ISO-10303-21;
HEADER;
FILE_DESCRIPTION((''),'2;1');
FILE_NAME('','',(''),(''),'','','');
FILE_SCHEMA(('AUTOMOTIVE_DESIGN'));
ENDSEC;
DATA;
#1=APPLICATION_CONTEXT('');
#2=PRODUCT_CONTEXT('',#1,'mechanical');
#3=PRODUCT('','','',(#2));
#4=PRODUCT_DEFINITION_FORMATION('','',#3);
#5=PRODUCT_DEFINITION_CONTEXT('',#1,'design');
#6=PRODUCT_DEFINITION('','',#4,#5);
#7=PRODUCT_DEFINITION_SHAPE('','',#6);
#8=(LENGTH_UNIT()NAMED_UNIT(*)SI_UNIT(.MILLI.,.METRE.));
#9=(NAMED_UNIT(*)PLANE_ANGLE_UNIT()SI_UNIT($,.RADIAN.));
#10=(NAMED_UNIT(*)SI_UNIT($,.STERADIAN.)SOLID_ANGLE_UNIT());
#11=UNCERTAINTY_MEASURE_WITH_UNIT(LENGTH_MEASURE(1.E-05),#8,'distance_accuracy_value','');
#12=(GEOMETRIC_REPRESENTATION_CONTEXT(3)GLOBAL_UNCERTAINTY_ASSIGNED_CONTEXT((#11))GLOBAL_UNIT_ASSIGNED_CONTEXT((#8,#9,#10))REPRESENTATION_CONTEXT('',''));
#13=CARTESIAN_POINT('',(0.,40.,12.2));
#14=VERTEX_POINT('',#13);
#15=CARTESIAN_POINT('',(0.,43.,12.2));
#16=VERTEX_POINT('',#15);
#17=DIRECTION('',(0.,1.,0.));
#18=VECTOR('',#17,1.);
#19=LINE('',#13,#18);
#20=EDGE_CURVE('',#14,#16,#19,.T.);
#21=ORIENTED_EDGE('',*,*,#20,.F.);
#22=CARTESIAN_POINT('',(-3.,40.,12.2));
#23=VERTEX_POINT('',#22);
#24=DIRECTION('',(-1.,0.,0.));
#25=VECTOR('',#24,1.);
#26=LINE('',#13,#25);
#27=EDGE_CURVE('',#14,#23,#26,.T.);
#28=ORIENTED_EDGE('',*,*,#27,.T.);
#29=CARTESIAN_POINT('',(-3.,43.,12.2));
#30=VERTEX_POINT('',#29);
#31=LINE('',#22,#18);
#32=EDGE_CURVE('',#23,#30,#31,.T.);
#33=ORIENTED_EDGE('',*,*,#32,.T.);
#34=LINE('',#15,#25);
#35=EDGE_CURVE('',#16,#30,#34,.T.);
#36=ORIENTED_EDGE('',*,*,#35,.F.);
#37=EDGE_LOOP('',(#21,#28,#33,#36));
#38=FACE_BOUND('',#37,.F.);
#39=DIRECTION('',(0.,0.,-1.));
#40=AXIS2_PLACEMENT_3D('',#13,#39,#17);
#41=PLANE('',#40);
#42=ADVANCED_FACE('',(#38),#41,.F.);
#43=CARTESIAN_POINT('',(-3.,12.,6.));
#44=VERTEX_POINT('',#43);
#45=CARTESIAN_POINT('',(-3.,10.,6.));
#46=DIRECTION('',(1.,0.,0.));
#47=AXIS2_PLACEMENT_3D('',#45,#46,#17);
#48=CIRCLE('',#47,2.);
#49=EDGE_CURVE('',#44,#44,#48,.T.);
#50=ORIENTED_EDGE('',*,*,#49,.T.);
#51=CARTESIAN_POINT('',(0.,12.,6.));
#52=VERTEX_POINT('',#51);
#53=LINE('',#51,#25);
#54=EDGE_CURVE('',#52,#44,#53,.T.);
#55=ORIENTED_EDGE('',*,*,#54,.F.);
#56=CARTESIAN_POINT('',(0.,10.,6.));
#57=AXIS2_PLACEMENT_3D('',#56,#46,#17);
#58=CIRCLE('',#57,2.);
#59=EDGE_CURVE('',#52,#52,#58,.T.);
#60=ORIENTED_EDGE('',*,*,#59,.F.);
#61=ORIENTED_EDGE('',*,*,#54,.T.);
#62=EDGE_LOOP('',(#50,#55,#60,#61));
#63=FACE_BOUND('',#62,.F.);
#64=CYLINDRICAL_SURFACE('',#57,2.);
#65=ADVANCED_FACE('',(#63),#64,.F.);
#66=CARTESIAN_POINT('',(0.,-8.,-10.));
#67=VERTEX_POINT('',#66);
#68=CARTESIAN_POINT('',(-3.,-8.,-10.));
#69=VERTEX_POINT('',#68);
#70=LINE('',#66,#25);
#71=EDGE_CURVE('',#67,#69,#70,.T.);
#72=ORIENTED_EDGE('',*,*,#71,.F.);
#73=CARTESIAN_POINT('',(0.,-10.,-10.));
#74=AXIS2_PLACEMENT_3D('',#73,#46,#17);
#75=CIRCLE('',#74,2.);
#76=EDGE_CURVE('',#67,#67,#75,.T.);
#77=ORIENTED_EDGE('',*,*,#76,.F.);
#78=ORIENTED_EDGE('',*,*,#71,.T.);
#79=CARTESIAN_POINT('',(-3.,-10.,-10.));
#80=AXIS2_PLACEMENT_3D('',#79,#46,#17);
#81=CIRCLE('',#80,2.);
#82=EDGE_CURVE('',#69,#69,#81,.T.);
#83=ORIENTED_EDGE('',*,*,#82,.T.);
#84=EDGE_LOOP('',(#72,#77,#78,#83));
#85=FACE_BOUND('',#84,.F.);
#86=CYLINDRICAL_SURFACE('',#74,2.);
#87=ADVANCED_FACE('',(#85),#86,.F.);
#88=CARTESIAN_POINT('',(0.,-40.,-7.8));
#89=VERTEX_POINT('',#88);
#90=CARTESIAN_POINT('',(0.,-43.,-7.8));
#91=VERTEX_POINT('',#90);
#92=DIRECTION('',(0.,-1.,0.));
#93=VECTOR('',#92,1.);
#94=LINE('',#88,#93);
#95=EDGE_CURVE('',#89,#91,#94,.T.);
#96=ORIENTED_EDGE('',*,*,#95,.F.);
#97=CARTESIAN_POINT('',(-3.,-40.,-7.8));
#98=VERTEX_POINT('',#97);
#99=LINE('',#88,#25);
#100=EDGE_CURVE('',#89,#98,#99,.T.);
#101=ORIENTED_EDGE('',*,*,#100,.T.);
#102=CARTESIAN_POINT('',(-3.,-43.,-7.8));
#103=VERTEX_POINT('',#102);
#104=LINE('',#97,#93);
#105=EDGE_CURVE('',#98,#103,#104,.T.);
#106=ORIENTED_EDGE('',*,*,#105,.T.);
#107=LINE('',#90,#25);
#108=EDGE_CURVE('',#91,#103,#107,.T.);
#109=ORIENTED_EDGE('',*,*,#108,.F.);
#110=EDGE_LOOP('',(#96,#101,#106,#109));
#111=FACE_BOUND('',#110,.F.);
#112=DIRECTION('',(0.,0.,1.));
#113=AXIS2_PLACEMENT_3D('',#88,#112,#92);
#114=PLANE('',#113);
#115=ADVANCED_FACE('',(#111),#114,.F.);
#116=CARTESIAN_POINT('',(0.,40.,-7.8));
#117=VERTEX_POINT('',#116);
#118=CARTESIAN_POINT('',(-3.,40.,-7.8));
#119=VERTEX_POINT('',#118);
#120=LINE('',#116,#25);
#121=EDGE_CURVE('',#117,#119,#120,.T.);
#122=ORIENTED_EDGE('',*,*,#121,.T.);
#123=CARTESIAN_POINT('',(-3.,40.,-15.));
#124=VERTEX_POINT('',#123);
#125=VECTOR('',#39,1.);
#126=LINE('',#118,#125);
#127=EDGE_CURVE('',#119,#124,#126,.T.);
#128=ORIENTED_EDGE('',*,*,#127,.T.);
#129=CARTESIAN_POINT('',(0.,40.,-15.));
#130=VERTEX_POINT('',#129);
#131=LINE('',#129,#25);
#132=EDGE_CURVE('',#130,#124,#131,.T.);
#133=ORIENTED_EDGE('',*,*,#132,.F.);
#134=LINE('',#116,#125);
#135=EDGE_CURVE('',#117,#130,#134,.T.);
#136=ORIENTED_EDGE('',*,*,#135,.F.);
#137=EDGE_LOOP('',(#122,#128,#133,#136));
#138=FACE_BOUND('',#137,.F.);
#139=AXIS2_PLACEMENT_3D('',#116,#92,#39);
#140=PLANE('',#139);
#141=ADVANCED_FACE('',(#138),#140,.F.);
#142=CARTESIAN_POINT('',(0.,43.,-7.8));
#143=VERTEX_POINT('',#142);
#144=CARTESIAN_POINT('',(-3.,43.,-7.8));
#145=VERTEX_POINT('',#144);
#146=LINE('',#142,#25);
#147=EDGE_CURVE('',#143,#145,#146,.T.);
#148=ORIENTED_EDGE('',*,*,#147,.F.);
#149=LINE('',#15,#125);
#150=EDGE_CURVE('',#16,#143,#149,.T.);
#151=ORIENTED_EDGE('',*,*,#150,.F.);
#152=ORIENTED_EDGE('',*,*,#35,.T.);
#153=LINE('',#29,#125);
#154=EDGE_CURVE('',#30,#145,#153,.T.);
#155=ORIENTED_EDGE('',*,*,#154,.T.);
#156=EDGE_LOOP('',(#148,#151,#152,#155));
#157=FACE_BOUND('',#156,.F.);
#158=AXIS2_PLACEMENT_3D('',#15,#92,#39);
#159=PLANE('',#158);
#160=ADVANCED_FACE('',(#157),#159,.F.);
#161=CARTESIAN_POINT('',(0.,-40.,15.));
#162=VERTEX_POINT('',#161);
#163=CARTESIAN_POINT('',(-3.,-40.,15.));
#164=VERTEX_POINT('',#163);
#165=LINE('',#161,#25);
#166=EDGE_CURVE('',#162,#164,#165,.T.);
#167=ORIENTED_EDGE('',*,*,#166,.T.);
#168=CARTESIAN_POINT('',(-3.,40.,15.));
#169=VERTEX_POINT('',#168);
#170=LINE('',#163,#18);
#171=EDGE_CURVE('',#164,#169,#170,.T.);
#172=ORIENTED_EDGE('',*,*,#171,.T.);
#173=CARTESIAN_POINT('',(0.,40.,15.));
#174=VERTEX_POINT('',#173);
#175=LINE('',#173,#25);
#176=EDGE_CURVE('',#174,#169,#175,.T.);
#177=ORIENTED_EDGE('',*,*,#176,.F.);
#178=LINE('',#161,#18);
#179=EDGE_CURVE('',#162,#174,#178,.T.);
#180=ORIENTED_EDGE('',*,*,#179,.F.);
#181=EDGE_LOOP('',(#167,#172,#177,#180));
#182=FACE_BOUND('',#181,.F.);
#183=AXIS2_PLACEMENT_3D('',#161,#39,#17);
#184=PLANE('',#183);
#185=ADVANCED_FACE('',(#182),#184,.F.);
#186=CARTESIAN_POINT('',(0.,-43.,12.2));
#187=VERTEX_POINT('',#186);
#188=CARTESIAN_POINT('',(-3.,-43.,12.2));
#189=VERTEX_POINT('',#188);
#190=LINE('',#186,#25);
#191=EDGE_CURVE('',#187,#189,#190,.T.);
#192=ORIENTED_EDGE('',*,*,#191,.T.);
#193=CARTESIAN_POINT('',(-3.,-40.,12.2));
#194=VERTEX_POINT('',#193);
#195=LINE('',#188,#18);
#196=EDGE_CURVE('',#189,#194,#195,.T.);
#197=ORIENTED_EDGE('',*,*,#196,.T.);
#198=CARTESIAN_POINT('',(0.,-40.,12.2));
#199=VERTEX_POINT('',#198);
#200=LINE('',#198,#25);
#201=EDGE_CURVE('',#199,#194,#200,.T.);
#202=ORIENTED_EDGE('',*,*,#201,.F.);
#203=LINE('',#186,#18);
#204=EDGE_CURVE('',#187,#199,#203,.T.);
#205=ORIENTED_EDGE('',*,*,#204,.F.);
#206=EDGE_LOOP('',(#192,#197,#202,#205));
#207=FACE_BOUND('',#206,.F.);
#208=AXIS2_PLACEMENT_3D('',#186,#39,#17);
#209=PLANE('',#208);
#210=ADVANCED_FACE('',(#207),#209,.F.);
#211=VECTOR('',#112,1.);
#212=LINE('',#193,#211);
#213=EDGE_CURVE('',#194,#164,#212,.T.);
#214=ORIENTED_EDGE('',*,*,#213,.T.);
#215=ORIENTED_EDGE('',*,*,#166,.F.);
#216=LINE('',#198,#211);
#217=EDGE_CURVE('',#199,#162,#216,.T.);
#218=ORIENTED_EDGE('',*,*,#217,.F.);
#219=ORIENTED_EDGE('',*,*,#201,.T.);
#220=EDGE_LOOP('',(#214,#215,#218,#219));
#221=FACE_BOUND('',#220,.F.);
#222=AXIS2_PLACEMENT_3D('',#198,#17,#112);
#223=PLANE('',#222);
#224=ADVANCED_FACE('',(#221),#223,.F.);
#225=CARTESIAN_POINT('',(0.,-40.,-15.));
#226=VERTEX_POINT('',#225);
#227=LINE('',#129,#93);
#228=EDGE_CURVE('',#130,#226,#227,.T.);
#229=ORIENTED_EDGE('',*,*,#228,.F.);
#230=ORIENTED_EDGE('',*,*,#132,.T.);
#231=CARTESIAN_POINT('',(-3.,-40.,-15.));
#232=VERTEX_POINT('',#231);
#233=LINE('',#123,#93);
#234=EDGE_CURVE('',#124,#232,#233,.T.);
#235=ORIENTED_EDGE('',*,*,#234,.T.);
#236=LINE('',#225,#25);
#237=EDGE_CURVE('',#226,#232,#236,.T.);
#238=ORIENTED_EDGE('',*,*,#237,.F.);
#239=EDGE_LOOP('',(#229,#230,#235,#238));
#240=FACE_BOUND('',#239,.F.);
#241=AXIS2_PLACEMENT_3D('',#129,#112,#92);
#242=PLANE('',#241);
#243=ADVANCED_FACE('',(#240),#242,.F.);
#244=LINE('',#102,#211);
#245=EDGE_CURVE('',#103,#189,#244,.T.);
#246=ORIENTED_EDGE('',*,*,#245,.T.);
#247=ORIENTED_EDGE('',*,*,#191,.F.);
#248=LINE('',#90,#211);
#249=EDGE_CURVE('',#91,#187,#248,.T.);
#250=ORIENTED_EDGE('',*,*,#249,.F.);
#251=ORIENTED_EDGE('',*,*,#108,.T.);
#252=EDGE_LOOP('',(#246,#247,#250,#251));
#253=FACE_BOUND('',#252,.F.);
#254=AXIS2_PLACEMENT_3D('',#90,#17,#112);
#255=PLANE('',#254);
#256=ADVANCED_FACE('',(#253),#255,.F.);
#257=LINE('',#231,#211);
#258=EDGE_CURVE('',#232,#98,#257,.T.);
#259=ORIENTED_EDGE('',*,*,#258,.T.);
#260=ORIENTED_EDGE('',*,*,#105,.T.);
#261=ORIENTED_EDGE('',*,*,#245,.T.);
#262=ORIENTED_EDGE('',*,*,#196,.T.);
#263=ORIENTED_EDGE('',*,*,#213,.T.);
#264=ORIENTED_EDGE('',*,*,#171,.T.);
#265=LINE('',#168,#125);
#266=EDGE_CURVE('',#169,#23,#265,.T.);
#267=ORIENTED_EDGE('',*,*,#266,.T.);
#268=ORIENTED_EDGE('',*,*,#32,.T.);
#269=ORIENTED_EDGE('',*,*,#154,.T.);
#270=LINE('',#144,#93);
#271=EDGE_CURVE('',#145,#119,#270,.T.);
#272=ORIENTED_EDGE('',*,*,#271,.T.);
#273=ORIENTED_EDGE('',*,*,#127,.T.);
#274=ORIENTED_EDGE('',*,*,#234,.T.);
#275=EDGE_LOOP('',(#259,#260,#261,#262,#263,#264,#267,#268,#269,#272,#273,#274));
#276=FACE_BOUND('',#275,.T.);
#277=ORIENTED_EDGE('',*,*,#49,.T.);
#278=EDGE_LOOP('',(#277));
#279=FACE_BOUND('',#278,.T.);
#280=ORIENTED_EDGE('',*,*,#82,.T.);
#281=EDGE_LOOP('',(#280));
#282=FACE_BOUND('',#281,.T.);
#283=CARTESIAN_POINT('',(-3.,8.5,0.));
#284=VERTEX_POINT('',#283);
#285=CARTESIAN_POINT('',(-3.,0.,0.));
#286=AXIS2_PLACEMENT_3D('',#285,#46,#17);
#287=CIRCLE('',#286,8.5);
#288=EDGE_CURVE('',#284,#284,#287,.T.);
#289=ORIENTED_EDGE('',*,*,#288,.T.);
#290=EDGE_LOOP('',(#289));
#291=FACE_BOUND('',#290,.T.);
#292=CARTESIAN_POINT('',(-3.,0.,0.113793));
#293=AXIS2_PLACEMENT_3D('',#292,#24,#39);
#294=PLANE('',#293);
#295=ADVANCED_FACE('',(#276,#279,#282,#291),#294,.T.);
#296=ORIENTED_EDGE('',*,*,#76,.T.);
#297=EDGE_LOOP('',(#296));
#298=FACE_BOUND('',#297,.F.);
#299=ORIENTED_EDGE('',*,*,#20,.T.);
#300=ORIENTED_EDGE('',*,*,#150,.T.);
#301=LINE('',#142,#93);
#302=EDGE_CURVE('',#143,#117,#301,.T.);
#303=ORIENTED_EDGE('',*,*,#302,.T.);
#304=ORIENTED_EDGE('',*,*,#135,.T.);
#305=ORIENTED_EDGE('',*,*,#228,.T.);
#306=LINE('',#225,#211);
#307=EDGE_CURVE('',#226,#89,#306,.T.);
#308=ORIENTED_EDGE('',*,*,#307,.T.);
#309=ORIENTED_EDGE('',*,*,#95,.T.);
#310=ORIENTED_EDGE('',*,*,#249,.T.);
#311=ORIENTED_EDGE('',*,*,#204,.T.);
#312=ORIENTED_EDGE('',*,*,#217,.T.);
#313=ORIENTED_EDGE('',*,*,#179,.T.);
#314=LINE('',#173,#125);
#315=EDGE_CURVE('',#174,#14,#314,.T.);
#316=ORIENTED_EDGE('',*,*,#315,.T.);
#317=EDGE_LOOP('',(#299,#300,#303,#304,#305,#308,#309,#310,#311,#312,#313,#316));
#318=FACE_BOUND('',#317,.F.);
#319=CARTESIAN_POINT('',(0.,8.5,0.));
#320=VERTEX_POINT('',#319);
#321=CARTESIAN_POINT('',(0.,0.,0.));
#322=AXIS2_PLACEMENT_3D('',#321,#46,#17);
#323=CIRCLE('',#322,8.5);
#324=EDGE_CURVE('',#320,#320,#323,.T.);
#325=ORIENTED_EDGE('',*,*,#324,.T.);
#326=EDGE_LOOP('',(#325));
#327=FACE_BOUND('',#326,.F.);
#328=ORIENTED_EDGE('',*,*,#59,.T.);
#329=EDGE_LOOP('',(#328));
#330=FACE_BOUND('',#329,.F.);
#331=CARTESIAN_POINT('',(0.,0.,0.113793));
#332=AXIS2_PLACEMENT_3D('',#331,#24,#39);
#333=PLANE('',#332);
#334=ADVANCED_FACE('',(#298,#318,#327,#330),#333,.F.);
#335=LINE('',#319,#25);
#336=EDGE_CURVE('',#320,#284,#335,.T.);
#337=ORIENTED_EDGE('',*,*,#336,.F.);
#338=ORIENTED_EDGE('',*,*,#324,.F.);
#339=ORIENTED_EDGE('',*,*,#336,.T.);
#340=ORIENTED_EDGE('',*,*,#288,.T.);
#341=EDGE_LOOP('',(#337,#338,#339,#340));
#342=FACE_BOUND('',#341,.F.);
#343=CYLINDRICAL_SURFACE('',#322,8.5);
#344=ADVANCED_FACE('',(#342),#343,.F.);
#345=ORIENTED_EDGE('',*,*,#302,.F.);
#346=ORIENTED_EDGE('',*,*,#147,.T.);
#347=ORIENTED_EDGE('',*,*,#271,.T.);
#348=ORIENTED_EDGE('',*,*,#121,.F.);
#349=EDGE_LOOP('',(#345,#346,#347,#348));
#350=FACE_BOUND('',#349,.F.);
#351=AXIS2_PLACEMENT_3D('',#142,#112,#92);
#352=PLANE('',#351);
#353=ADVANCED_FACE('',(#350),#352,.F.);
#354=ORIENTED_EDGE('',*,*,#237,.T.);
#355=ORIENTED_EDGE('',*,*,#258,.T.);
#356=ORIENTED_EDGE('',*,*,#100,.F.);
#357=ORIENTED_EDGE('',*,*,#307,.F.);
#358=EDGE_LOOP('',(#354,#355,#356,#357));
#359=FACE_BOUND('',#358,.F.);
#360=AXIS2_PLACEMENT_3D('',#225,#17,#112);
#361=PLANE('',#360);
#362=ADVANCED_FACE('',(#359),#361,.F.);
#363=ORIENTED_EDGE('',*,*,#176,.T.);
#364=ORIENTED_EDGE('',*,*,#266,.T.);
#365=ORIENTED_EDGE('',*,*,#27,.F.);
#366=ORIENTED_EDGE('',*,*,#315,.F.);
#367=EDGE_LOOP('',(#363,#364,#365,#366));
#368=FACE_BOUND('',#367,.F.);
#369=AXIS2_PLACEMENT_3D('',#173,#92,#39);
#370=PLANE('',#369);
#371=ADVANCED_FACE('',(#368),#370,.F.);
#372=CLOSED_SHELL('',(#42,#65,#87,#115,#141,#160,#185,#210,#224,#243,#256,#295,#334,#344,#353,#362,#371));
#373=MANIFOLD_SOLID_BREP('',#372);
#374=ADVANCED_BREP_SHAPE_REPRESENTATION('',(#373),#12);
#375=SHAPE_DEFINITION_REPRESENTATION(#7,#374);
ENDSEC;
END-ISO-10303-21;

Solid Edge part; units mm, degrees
sketch "Sketch1" plane through (0, 0, 0) normal (1, 0, 0) x (0, 1, 0)
  circle A0 centre (0, 0) radius 8.5
  circle A1 centre (10, 6) radius 2
  circle A2 centre (-10, -10) radius 2
  line L0 (40, 15) -> (40, 12.2)
  line L1 (40, 12.2) -> (43, 12.2)
  line L2 (43, 12.2) -> (43, -7.8)
  line L3 (43, -7.8) -> (40, -7.8)
  line L4 (40, -7.8) -> (40, -15)
  line L5 (40, -15) -> (-40, -15)
  line L6 (-40, -15) -> (-40, -7.8)
  line L7 (-40, -7.8) -> (-43, -7.8)
  line L8 (-43, -7.8) -> (-43, 12.2)
  line L9 (-43, 12.2) -> (-40, 12.2)
  line L10 (-40, 12.2) -> (-40, 15)
  line L11 (-40, 15) -> (40, 15)
  dimension "D1" = 17
  dimension "D2" = 80
  dimension "D3" = 3
  dimension "D4" = 20
  dimension "D5" = 30
  dimension "D6" = 20
  dimension "D7" = 6
  dimension "D8" = 10
  dimension "D9" = 10
  dimension "D10" = 15
  dimension "D11" = 2.8
extrude "Protrusion1" add sketch "Sketch1" against normal blind 3
properties material "Acier"
